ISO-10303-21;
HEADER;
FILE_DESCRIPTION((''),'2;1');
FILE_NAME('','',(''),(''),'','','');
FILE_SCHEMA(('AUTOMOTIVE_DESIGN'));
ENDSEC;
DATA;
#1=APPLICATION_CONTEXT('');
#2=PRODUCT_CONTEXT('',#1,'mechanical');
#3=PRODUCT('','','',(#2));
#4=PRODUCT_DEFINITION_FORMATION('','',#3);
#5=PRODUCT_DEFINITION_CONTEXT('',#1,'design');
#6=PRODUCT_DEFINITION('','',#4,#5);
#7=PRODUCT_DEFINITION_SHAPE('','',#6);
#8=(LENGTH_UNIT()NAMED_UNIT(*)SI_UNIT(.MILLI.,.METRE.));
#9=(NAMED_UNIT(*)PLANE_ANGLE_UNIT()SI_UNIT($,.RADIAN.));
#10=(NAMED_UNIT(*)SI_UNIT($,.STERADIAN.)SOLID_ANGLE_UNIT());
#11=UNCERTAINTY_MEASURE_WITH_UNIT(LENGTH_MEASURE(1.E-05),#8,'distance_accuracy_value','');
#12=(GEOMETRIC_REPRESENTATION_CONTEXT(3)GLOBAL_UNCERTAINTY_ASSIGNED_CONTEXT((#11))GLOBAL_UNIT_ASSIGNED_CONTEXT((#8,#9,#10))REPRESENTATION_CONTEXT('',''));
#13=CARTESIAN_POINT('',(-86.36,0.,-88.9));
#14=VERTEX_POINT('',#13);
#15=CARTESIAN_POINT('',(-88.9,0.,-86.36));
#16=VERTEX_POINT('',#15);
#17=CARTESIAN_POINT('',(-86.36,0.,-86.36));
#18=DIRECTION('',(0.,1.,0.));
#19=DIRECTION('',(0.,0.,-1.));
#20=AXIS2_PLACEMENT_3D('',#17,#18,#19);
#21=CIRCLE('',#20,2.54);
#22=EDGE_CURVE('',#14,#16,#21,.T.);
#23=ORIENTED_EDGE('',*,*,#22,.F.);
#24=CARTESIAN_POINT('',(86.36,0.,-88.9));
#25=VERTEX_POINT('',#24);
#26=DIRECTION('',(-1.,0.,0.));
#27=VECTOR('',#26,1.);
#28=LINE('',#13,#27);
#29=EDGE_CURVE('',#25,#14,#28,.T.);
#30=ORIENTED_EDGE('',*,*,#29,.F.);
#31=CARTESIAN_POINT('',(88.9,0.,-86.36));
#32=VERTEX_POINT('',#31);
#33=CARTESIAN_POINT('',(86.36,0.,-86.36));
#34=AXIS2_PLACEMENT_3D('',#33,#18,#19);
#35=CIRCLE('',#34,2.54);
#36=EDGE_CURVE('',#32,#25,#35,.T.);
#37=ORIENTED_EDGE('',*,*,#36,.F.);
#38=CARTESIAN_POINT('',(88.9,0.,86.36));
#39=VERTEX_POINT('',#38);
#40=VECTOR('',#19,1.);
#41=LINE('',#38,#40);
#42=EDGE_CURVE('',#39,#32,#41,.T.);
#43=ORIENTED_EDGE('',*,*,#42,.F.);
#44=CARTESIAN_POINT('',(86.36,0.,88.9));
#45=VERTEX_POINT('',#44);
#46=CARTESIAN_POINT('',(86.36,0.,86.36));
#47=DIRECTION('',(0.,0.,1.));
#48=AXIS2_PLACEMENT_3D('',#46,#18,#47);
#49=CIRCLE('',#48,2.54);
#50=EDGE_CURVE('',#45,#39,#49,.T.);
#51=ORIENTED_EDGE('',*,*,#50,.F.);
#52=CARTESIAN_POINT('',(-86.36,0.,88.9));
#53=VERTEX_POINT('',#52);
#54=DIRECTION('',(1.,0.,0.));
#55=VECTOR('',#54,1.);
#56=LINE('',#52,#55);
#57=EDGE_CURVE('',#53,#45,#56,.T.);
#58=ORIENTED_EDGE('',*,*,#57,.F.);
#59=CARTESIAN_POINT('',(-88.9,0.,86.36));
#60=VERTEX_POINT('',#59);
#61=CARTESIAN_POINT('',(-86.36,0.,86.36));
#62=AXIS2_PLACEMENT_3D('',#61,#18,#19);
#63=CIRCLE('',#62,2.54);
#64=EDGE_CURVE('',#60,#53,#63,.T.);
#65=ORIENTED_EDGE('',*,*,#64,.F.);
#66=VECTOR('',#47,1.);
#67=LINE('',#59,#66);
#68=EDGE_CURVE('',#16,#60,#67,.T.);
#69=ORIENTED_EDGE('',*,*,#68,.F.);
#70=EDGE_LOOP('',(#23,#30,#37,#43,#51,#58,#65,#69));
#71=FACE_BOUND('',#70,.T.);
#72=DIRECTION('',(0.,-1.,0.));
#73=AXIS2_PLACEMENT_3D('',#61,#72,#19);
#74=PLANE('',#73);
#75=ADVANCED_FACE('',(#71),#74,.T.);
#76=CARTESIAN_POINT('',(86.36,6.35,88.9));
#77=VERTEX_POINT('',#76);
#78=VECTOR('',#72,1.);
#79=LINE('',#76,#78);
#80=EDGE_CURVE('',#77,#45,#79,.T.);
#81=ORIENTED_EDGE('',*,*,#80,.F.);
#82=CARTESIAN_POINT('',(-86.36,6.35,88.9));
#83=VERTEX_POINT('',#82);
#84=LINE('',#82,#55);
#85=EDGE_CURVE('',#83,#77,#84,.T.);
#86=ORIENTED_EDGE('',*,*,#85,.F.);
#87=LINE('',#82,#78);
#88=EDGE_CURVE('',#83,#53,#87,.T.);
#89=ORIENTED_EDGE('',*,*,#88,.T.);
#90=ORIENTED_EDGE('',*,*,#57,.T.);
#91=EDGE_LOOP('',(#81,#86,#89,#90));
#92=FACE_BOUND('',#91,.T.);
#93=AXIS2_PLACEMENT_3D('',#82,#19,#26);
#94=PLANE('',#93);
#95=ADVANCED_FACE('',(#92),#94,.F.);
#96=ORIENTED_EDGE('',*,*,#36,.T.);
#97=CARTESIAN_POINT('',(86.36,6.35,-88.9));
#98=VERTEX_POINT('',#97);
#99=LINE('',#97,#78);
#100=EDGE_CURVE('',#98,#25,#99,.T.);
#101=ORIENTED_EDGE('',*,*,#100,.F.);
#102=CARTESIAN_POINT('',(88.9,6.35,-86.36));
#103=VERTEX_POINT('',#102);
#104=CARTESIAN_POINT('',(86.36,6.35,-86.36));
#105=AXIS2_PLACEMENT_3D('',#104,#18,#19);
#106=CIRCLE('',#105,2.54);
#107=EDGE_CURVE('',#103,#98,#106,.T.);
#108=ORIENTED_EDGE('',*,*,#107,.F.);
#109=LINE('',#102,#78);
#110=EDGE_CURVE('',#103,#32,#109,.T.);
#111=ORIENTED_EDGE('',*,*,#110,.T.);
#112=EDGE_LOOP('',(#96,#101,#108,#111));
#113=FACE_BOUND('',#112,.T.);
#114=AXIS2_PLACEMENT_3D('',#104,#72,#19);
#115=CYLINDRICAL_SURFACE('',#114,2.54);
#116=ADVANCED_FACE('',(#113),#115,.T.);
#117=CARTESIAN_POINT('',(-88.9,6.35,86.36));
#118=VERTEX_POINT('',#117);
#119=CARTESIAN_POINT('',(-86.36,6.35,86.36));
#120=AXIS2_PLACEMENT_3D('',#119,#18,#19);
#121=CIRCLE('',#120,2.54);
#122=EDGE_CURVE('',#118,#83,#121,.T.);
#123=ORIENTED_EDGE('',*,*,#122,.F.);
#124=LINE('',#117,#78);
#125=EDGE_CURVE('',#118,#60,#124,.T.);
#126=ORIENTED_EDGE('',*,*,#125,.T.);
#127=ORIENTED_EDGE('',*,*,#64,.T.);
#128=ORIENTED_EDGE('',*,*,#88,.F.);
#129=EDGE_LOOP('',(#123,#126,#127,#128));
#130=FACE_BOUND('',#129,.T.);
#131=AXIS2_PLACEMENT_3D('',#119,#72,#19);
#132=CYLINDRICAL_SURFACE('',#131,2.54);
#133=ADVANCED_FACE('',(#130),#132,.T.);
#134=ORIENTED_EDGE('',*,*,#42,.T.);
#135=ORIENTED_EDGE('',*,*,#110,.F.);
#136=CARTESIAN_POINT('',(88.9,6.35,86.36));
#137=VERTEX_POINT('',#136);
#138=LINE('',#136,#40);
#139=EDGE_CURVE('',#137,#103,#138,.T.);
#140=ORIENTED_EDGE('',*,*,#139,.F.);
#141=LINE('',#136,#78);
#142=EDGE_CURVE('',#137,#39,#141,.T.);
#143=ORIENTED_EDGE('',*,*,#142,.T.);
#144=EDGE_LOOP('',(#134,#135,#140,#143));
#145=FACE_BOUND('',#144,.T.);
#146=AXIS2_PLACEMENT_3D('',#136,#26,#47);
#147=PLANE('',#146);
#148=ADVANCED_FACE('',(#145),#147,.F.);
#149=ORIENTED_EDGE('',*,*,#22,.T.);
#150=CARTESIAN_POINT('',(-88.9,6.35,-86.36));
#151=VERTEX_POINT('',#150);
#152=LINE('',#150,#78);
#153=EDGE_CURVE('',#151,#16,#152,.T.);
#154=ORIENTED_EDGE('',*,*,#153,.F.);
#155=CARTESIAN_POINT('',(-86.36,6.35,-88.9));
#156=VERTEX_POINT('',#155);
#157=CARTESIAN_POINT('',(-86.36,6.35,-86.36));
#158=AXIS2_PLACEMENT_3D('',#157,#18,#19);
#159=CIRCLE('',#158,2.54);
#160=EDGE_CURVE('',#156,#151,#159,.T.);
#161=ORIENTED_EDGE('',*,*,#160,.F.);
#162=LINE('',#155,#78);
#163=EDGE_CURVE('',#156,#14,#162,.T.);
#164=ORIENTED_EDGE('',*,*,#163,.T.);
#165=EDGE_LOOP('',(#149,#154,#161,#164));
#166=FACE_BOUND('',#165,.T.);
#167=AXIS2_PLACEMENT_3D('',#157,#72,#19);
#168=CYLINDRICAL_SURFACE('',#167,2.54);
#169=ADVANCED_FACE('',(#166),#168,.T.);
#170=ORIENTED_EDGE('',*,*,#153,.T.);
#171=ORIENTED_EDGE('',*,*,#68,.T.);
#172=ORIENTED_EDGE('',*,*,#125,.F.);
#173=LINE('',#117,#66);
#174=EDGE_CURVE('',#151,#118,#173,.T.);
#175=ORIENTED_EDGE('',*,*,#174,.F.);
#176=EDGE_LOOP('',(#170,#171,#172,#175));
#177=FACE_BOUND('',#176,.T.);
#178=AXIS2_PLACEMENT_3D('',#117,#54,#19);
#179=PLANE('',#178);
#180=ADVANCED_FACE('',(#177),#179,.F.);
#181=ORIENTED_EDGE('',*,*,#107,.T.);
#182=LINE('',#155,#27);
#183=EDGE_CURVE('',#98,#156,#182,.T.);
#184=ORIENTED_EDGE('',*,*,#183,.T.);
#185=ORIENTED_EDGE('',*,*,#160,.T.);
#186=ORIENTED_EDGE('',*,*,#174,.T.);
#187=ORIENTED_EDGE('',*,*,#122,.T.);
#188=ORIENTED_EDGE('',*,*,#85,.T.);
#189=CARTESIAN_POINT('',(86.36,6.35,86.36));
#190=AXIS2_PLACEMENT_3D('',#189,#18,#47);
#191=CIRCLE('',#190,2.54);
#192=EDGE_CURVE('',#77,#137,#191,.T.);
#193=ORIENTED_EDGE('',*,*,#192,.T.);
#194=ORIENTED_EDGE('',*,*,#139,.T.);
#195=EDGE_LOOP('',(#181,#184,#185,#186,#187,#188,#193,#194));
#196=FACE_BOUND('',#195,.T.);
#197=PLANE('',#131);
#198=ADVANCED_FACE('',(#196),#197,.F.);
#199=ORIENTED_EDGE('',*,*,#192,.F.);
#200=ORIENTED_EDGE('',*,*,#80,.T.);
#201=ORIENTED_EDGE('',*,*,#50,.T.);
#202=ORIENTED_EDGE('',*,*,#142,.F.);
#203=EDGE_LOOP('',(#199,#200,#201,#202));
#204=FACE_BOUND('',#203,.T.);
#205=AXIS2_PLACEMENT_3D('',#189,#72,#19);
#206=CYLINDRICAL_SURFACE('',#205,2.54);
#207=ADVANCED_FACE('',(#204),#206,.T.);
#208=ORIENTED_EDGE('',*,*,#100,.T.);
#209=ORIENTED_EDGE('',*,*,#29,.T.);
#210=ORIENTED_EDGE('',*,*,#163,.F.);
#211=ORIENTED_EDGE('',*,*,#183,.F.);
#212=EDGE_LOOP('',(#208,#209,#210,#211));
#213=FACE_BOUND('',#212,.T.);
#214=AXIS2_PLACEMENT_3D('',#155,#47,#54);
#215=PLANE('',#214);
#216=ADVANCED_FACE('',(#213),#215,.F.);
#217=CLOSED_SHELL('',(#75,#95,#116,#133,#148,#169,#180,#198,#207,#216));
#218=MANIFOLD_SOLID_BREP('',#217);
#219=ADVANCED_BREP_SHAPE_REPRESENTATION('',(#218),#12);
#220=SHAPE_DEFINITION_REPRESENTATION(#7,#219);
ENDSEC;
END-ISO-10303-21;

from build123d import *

# Parameters (mm, degrees)
BOSS_EXTRUDE1_DEPTH = 6.35


with BuildPart() as part:
    # Sketch2 → Boss-Extrude1 (new body)
    with BuildSketch(Plane(origin=(0, 0, 0), x_dir=(1, 0, 0), z_dir=(0, 1, 0))):
        with BuildLine():
            Line((-86.36, -88.9), (86.36, -88.9))
            ThreePointArc((86.36, -88.9), (88.156051224, -88.156051224), (88.9, -86.36))
            Line((88.9, -86.36), (88.9, 86.36))
            ThreePointArc((88.9, 86.36), (88.156051224, 88.156051224), (86.36, 88.9))
            Line((86.36, 88.9), (-86.36, 88.9))
            ThreePointArc((-86.36, 88.9), (-88.156051224, 88.156051224), (-88.9, 86.36))
            Line((-88.9, 86.36), (-88.9, -86.36))
            ThreePointArc((-88.9, -86.36), (-88.156051224, -88.156051224), (-86.36, -88.9))
        make_face()
    extrude(amount=BOSS_EXTRUDE1_DEPTH)


solid = part.part
